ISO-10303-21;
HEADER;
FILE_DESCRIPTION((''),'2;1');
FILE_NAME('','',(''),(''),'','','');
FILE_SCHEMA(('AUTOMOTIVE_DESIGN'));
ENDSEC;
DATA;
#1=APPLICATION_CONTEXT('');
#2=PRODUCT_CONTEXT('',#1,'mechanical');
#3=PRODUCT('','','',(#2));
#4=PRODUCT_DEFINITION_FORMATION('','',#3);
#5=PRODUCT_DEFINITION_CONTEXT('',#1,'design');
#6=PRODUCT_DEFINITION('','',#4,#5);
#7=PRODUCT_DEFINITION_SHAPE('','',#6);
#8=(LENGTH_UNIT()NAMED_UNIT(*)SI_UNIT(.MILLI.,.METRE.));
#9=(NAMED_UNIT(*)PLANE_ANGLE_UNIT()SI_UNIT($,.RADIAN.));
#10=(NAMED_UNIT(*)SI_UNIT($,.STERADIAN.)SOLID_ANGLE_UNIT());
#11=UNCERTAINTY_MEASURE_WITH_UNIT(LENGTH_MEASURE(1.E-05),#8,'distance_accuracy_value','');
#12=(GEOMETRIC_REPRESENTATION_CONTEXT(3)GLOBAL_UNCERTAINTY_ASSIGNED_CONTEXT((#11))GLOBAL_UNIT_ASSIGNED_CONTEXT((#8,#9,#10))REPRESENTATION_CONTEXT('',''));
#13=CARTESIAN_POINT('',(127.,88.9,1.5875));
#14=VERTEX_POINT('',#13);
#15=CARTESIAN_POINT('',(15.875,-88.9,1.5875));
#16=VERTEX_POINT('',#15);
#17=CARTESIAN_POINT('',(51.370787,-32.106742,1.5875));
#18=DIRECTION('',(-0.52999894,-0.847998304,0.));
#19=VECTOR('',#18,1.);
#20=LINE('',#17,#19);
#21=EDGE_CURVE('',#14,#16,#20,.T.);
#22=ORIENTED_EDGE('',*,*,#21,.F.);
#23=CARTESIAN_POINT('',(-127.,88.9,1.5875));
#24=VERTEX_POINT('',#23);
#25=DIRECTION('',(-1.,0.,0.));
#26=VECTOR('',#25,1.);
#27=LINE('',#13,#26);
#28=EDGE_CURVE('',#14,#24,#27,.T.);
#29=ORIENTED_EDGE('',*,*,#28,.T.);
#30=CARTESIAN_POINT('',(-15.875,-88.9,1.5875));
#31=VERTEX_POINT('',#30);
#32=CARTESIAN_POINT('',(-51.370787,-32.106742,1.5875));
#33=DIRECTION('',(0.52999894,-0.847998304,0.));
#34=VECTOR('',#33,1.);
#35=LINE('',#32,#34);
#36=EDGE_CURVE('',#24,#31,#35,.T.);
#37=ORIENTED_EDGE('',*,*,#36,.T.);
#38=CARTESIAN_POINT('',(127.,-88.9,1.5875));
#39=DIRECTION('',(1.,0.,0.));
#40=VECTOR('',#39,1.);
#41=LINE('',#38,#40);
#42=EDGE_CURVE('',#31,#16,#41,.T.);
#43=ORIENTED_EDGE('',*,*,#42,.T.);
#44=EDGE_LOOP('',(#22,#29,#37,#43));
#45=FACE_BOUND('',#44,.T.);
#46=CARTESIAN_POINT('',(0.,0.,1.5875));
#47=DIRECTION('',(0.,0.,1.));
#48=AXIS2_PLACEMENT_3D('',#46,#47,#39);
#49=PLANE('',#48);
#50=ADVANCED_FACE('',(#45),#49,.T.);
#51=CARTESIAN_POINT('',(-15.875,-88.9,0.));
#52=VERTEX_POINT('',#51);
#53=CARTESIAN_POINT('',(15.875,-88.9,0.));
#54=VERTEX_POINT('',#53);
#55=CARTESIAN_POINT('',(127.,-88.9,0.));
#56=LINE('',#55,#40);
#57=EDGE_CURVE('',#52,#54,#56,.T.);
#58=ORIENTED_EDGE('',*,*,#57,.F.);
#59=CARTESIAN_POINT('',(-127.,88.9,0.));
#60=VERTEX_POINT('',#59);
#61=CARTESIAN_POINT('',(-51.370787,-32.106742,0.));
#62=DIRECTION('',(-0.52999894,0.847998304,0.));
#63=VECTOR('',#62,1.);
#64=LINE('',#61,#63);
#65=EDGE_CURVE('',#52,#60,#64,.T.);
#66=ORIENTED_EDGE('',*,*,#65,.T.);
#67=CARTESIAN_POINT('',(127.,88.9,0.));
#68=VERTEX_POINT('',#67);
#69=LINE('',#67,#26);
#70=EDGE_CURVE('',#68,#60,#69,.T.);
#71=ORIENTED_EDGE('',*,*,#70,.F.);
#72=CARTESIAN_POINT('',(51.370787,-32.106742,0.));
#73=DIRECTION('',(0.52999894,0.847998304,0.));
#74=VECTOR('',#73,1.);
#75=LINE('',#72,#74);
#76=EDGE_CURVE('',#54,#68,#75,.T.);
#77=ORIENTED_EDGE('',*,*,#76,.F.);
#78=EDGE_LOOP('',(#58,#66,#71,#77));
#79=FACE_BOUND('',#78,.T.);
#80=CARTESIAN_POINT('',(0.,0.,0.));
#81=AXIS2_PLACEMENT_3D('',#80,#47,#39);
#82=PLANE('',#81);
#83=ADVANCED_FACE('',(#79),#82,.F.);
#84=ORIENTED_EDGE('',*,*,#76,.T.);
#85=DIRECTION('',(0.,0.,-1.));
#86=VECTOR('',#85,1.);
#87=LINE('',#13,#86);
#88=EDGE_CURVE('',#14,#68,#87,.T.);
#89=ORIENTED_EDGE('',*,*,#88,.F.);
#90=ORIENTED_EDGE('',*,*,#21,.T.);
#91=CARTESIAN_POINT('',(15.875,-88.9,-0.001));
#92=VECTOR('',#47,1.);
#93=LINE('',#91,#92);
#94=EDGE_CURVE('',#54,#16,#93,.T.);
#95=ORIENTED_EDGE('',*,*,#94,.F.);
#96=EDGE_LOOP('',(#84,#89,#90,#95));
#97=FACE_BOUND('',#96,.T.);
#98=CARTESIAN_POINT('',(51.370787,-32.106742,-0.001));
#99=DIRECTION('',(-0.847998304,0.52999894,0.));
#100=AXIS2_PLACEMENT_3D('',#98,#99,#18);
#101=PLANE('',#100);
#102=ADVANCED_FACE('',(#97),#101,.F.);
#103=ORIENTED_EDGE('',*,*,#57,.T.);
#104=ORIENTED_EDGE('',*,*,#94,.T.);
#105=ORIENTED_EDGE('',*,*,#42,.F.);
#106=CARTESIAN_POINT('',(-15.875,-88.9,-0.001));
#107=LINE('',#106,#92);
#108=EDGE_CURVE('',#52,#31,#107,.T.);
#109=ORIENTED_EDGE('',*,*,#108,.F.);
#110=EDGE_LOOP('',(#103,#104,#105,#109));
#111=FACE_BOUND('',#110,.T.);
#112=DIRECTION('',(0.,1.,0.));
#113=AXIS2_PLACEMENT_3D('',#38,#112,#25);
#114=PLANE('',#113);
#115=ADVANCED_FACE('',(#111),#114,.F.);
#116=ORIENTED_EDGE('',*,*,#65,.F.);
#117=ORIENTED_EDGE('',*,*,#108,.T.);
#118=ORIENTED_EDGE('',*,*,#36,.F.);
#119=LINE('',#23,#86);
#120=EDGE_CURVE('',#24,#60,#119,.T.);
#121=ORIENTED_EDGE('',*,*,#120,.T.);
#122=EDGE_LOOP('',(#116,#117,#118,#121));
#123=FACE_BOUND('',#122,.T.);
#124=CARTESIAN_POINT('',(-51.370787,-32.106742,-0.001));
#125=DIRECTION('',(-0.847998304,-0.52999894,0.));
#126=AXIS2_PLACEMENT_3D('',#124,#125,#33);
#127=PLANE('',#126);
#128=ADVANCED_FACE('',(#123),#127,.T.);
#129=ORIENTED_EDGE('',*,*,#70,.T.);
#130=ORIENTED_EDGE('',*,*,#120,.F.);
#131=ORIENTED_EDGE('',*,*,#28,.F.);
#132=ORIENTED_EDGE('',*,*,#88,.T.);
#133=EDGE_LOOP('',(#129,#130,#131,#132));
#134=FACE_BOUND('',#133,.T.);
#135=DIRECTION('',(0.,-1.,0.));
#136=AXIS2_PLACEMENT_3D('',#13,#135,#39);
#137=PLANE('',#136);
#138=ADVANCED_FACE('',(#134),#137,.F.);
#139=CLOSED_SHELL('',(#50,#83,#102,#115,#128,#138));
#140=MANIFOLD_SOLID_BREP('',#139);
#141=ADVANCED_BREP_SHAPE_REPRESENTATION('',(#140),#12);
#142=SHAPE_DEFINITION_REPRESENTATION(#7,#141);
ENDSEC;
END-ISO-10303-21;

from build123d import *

# Parameters (mm, degrees)
SKETCH1_W           = 254
SKETCH1_H           = 177.8
BOSS_EXTRUDE1_DEPTH = 1.5875
CUT_EXTRUDE1_REACH  = 157.031


with BuildPart() as part:
    # Sketch1 → Boss-Extrude1 (new body)
    with BuildSketch(Plane.XY):
        Rectangle(SKETCH1_W, SKETCH1_H)
    extrude(amount=BOSS_EXTRUDE1_DEPTH)

    # Sketch2 → Cut-Extrude1 (cut, up to next)
    with BuildSketch(Plane.XY.offset(1.5875), mode=Mode.PRIVATE) as cut_extrude1_sk1:
        Polygon((127, -88.9), (127, 88.9), (15.875, -88.9), align=None)
    cut_extrude1_tool1 = extrude(cut_extrude1_sk1.sketch, amount=-CUT_EXTRUDE1_REACH, mode=Mode.PRIVATE) & part.part
    # Sketch2 → Cut-Extrude1 (cut, up to next)
    with BuildSketch(Plane.XY.offset(1.5875), mode=Mode.PRIVATE) as cut_extrude1_sk2:
        Polygon((-15.875, -88.9), (-127, 88.9), (-127, -88.9), align=None)
    cut_extrude1_tool2 = extrude(cut_extrude1_sk2.sketch, amount=-CUT_EXTRUDE1_REACH, mode=Mode.PRIVATE) & part.part
    add(cut_extrude1_tool1.solids().sort_by_distance((89.958333, -29.633333, 1.5875))[0], mode=Mode.SUBTRACT)
    add(cut_extrude1_tool2.solids().sort_by_distance((-89.958333, -29.633333, 1.5875))[0], mode=Mode.SUBTRACT)


solid = part.part
